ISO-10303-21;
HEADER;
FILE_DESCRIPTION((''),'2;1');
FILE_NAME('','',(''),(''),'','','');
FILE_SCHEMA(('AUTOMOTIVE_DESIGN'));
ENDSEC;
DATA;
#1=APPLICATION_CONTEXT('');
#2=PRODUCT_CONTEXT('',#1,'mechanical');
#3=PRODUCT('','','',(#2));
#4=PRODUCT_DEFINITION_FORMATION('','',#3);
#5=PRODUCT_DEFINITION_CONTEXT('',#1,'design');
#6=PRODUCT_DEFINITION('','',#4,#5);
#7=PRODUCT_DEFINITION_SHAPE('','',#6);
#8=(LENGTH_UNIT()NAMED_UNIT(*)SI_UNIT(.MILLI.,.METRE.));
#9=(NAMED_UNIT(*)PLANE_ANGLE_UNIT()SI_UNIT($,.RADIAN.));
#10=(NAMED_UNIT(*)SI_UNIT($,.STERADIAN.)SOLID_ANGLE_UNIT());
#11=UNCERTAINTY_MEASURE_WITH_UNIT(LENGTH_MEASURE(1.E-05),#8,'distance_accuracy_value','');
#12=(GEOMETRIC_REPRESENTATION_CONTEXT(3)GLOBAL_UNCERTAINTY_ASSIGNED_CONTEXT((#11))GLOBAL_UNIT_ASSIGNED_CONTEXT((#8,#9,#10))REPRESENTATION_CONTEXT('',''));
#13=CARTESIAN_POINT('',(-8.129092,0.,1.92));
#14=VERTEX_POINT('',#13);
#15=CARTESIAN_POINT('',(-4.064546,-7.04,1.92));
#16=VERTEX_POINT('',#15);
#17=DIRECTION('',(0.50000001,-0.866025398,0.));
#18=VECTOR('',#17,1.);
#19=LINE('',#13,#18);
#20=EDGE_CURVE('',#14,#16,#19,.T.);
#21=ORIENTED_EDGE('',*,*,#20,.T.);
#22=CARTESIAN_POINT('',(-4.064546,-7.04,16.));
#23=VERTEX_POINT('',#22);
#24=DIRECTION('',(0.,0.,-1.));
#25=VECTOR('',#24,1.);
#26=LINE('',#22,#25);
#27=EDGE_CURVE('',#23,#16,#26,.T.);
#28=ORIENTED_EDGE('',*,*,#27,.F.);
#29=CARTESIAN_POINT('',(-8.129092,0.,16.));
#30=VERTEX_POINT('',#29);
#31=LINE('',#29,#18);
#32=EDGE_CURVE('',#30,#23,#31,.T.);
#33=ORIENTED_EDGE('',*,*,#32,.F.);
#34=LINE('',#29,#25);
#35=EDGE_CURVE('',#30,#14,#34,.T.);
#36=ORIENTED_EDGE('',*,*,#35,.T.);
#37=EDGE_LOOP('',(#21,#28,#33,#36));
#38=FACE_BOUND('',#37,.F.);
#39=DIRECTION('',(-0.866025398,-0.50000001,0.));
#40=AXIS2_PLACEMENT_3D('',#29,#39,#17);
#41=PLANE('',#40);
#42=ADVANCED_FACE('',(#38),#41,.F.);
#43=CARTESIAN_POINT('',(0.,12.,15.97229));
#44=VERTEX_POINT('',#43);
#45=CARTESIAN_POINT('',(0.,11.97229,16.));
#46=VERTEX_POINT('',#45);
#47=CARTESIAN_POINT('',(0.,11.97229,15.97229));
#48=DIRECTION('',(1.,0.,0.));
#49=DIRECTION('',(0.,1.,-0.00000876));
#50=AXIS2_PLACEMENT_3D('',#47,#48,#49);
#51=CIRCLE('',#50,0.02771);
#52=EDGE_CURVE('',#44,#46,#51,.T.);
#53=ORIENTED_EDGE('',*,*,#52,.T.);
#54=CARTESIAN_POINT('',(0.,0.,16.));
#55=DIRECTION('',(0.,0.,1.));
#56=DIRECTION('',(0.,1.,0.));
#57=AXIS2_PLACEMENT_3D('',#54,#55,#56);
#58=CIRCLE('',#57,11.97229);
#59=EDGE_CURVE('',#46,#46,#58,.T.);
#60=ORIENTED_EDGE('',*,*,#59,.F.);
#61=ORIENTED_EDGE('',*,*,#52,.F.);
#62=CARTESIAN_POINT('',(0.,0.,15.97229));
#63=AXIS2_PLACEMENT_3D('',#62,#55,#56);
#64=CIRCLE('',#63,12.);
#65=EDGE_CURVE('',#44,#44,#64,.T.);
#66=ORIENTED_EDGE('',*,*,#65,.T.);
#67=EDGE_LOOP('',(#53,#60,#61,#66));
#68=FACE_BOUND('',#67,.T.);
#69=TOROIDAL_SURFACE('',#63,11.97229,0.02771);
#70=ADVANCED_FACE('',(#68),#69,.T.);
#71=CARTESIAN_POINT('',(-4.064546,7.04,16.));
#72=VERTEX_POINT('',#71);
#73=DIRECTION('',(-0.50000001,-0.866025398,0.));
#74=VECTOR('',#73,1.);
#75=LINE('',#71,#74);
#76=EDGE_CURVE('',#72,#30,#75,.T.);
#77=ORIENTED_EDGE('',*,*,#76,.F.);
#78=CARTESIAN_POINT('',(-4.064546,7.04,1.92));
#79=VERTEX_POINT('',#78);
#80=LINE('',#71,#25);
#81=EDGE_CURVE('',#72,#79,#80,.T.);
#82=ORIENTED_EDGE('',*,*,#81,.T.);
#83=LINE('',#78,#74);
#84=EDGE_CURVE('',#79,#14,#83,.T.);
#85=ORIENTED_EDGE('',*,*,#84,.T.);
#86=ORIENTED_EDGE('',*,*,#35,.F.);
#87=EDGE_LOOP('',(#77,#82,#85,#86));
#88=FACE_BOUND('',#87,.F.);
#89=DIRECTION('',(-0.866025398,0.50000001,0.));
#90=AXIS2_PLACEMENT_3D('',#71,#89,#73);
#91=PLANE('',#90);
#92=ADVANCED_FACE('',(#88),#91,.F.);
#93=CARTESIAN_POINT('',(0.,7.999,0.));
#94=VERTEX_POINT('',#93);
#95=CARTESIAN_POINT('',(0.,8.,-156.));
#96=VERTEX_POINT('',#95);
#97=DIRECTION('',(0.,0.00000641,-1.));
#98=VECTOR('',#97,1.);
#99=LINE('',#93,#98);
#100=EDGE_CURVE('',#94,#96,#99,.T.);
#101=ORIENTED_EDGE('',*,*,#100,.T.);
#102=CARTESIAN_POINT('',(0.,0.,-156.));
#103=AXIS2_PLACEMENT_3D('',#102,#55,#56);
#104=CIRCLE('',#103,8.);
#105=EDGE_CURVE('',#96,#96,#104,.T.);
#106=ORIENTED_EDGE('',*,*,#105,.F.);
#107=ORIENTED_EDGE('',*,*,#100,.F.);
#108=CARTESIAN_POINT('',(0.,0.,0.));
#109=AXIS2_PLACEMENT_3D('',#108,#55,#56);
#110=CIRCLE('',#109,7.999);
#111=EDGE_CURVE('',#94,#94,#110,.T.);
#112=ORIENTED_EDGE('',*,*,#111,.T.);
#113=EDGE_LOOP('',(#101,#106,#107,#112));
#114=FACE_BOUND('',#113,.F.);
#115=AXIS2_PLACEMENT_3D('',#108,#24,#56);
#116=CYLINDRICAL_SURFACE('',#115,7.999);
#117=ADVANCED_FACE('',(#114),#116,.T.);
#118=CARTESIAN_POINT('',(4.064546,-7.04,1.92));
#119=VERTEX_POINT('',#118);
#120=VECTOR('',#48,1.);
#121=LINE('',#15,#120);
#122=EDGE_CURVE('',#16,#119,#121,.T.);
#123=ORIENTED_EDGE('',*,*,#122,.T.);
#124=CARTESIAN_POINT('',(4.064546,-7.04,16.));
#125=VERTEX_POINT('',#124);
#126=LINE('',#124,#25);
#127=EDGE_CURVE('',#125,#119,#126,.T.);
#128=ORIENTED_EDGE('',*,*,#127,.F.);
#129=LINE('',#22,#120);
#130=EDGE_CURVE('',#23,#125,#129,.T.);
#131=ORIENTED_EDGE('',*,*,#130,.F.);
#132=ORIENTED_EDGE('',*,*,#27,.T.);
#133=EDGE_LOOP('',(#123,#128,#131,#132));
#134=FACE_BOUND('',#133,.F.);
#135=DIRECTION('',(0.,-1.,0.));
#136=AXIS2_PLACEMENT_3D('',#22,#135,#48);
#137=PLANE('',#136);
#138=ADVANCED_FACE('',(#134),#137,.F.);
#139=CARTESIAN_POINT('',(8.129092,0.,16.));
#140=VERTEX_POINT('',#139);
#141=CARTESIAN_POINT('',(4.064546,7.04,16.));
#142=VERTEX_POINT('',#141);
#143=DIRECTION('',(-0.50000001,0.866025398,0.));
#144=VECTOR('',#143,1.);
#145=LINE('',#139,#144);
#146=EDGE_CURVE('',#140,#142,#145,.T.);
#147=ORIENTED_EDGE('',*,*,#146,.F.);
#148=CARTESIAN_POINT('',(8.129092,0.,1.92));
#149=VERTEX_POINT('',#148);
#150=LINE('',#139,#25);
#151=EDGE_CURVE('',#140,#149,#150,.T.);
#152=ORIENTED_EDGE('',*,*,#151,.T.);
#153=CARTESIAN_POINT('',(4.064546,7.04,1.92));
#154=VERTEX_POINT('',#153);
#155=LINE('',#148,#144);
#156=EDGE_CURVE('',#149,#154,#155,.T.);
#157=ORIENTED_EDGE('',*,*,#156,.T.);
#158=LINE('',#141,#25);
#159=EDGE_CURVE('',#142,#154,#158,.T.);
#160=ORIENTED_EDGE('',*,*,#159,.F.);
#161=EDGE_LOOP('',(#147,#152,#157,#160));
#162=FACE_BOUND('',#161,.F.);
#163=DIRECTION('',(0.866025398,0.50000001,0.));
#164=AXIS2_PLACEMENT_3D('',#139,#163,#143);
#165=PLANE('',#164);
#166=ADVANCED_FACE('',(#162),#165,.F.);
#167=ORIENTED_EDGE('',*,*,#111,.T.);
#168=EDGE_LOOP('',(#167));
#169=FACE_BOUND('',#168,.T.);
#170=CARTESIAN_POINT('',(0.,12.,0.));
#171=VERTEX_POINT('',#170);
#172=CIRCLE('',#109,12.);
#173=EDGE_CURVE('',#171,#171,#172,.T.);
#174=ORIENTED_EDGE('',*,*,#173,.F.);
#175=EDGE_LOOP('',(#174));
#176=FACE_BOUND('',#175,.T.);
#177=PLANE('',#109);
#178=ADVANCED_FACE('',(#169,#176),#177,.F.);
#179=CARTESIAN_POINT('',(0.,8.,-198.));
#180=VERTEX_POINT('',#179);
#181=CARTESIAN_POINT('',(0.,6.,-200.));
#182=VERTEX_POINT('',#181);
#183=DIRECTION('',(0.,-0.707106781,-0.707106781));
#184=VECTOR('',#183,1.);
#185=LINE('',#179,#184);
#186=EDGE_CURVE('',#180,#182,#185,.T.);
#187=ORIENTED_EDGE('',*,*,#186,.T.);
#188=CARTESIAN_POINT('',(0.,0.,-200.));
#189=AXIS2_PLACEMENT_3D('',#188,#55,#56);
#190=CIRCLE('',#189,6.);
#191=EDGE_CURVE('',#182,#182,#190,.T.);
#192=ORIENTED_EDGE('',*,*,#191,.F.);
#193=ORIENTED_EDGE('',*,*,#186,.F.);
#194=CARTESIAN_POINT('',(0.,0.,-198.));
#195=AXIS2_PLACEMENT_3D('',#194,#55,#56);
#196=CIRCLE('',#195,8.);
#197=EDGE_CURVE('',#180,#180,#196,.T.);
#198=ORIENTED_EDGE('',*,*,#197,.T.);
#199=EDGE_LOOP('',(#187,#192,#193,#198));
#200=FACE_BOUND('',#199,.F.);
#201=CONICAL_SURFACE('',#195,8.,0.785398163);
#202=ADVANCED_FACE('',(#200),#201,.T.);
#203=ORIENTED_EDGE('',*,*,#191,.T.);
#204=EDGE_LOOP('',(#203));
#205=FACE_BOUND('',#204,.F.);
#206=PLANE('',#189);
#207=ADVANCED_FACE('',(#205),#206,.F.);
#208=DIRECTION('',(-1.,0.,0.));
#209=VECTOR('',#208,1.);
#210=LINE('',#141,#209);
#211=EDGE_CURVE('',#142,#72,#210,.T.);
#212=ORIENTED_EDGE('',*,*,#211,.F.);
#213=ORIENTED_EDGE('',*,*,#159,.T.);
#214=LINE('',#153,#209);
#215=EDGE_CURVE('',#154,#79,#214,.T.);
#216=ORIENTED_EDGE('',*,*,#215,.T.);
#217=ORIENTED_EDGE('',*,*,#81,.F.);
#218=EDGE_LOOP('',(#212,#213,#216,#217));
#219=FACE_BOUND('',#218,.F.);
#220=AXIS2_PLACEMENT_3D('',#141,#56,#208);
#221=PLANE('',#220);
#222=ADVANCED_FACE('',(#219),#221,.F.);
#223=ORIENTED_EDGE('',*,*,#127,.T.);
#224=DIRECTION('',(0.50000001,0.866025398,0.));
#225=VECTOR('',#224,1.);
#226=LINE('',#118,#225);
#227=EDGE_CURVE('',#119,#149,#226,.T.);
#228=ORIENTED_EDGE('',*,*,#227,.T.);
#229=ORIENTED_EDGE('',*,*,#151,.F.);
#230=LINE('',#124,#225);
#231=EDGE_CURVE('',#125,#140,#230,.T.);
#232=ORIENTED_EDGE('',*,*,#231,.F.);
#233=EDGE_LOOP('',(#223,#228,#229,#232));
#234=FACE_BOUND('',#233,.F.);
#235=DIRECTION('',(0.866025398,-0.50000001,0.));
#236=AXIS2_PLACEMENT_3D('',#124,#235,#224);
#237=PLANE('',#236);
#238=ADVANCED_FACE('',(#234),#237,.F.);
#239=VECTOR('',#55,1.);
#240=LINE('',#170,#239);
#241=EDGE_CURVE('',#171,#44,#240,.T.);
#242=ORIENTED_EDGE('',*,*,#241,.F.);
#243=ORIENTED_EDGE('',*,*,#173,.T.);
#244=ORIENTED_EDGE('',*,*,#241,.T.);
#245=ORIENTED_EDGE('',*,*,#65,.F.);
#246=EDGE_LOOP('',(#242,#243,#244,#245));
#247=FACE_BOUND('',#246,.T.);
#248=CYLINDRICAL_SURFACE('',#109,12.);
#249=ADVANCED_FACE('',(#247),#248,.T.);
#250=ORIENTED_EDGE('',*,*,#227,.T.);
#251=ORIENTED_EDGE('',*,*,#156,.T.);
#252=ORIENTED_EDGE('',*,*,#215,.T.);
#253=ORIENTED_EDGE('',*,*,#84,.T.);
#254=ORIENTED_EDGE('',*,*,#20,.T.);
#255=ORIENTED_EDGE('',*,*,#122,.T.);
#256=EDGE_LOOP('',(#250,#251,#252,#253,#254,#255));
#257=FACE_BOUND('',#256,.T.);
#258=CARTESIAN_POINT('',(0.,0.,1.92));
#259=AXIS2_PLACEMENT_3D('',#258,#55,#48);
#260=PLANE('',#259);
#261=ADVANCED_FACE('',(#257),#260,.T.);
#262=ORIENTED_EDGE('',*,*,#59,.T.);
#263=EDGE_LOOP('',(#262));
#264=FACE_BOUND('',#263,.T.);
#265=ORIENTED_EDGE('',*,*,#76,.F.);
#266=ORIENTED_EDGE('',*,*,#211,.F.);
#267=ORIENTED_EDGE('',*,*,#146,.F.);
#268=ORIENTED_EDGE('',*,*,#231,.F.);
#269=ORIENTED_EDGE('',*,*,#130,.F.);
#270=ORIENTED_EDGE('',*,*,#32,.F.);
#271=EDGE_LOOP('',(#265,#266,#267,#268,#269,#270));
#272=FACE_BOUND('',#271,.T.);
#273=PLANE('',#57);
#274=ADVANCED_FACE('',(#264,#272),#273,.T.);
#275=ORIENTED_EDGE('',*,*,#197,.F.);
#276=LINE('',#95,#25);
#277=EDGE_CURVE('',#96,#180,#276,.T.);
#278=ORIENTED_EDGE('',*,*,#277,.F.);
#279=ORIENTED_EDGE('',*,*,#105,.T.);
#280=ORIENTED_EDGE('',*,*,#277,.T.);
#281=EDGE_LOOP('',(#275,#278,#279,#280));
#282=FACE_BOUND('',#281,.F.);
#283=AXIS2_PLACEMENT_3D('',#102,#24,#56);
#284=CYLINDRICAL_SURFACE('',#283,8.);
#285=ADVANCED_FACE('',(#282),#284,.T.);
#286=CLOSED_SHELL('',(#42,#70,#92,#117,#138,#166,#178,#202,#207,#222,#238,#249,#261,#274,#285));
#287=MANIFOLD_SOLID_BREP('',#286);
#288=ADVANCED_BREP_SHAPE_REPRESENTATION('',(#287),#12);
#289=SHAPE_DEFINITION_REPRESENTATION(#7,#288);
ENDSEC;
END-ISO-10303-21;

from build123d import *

# Parameters (mm, degrees)
POCKET_DEPTH = 14.08


with BuildPart() as part:
    # Sketch → Revolve (revolve)
    with BuildSketch(Plane.YZ):
        with BuildLine():
            Line((7.999, 0), (12, 0))
            Line((12, 0), (12, 15.97229))
            ThreePointArc((12, 15.97229), (11.991884, 15.991884), (11.97229, 16))
            Line((11.97229, 16), (0, 16))
            Line((0, -200), (0, 16))
            Line((6, -200), (0, -200))
            Line((8, -198), (6, -200))
            Line((8, -156), (8, -198))
            Line((7.999, 0), (8, -156))
        make_face()
    revolve(axis=Axis((0, 0, 0), (0, 0, 1)))

    # Sketch001 → Pocket (cut)
    with BuildSketch(Plane.XY.offset(16)):
        Polygon((8.129092, 0), (4.064546, 7.04), (-4.064546, 7.04), (-8.129092, 0), (-4.064546, -7.04), (4.064546, -7.04), align=None)
    extrude(amount=-POCKET_DEPTH, mode=Mode.SUBTRACT)


solid = part.part
